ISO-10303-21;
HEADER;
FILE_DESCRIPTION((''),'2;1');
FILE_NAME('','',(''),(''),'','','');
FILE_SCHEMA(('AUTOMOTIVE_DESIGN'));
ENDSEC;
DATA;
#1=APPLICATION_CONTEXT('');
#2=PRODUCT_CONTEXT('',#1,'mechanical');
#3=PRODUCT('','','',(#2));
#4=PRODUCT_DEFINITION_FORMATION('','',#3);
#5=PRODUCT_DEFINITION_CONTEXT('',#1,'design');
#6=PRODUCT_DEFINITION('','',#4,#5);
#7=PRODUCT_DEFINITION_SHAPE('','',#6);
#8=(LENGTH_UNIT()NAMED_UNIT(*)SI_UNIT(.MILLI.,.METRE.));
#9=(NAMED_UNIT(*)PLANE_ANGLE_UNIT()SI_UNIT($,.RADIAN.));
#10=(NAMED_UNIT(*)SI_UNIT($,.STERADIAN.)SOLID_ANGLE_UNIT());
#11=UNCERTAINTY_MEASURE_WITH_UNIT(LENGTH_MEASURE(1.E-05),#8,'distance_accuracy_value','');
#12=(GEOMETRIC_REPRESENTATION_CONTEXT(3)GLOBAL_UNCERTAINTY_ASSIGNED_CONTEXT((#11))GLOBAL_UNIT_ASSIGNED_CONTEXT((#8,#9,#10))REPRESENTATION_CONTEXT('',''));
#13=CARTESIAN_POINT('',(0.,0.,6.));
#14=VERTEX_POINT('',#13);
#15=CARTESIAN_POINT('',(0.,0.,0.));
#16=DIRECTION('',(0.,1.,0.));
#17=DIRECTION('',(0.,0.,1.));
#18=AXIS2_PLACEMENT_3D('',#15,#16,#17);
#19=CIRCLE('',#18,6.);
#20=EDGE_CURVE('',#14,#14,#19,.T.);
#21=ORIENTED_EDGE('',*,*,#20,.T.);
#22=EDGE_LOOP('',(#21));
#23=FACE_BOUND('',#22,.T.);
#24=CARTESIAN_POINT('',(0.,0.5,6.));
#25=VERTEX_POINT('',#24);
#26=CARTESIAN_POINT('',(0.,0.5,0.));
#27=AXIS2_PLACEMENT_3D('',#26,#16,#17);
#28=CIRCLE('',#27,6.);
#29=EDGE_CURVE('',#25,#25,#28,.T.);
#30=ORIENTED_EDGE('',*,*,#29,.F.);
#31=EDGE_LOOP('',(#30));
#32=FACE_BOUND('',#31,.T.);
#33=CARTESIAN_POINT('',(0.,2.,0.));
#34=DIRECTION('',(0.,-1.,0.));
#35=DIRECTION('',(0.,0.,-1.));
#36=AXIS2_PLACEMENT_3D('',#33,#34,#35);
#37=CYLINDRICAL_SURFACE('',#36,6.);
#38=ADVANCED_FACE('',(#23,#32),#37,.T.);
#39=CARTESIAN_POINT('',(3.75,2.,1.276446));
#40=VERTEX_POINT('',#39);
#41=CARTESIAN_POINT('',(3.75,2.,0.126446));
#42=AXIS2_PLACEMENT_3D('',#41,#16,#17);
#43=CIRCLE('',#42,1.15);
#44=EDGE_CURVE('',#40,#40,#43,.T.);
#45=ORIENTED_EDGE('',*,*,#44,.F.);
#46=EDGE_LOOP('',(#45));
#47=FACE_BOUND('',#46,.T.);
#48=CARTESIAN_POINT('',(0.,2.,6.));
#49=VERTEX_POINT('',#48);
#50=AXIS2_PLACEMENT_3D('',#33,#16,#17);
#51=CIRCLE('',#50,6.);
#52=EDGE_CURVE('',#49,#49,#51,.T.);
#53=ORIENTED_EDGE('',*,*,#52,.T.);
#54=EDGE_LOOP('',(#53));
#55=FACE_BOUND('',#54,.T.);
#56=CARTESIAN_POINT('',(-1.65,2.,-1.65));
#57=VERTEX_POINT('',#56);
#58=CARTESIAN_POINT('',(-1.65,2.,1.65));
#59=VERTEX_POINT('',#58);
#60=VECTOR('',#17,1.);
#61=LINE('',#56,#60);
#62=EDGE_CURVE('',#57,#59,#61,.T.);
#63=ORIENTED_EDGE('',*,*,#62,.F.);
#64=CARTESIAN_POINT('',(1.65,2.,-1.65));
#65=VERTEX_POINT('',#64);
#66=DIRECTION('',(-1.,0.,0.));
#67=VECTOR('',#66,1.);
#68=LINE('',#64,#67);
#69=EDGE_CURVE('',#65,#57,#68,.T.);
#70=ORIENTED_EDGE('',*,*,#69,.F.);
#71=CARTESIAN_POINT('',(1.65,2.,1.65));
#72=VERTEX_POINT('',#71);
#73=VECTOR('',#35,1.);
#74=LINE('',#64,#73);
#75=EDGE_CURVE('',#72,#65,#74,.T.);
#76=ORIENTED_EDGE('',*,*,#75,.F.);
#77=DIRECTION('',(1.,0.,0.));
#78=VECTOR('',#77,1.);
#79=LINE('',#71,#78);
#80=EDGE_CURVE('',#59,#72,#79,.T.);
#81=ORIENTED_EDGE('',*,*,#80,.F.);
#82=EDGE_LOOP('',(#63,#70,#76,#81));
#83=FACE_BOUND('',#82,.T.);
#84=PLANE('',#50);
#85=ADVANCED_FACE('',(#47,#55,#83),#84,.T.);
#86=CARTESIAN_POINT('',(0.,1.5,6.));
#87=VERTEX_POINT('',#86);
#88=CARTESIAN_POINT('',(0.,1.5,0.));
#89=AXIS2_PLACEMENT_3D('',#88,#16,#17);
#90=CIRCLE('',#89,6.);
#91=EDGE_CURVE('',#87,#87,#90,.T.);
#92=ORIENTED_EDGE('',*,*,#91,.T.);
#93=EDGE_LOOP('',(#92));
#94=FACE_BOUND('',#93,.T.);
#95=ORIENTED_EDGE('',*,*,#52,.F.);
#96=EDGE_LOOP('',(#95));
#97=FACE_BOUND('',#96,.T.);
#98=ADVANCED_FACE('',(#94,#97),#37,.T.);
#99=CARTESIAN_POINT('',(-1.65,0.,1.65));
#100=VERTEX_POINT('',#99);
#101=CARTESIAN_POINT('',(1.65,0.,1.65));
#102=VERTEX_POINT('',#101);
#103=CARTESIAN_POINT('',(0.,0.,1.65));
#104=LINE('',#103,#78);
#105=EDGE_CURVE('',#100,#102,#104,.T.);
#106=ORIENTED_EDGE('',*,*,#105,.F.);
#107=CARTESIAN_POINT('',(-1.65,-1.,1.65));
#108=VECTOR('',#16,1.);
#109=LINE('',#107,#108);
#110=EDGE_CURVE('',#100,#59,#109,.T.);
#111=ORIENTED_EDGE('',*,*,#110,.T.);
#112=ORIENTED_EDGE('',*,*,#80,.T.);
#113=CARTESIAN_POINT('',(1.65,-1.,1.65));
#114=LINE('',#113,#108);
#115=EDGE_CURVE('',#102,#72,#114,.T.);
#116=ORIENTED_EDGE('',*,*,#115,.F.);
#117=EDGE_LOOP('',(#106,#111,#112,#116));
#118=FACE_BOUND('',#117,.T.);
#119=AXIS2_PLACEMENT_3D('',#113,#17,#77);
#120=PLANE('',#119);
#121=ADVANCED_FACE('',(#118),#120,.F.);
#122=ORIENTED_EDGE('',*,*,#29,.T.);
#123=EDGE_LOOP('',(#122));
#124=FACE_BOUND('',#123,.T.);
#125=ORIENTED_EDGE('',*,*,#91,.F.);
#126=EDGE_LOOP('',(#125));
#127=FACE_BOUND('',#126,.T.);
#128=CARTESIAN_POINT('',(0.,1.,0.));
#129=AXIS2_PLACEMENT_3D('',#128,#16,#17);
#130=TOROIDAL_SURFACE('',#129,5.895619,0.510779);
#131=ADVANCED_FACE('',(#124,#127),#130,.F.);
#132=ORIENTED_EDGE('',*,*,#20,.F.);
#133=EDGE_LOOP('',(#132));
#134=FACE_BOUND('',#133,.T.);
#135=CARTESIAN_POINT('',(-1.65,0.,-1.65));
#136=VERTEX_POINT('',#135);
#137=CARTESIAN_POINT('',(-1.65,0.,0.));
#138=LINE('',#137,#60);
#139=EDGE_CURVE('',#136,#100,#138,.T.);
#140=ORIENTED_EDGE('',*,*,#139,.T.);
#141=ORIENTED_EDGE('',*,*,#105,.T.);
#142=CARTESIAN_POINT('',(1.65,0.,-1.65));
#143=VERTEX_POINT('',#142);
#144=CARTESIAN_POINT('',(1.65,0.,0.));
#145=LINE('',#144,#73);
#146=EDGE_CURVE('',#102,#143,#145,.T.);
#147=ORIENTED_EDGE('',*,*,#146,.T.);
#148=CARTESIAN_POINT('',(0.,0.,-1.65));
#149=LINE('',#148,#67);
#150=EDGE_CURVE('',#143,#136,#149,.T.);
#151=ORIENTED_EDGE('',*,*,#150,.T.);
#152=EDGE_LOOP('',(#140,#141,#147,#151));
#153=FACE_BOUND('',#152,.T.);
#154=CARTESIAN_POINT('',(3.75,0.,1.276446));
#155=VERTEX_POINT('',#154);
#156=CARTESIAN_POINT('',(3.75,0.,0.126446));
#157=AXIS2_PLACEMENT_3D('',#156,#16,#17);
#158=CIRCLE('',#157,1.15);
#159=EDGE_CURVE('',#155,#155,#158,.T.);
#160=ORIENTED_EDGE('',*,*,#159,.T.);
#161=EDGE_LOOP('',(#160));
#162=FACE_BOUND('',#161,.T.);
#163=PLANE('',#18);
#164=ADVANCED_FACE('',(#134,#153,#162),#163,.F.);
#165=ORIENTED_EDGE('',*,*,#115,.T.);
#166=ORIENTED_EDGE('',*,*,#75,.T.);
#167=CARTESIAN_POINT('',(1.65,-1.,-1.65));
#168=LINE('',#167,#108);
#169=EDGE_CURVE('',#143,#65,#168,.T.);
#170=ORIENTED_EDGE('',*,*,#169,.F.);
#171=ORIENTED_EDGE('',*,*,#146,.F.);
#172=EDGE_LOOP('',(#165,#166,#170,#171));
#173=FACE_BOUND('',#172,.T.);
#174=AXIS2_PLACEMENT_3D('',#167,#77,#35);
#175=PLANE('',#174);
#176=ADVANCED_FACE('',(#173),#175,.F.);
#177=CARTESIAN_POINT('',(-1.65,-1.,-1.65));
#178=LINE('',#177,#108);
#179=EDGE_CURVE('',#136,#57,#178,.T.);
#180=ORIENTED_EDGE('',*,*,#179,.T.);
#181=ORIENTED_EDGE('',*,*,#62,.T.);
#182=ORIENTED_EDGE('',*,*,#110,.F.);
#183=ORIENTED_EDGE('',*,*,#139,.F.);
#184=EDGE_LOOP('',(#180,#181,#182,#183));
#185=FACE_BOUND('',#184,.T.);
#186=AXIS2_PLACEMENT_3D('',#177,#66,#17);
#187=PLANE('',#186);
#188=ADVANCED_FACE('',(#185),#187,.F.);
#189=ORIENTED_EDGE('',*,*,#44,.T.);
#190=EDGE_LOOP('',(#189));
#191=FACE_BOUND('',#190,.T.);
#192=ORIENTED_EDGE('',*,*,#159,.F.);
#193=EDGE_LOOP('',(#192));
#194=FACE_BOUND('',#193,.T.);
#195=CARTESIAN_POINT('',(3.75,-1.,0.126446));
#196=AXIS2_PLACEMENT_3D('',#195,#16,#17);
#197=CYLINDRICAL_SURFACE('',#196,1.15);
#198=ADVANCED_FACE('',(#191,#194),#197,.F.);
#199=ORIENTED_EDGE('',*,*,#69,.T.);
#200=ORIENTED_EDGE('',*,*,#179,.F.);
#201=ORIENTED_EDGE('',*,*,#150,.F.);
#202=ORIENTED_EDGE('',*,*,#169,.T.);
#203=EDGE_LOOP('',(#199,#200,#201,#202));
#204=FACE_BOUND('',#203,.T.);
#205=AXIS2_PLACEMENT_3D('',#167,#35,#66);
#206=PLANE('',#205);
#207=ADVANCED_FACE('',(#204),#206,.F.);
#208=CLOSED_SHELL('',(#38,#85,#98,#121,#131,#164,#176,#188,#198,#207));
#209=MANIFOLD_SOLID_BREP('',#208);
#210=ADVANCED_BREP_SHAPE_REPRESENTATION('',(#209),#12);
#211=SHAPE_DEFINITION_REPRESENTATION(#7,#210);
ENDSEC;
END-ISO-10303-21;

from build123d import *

# Parameters (mm, degrees)
SKIZZE1_R                       = 6
AUFSATZ_LINEAR_AUSTRAGEN1_DEPTH = 2
SKIZZE3_W                       = 3.3
SKIZZE3_H                       = 3.3
SCHNITT_LINEAR_AUSTRAGEN1_DEPTH = 3
SKIZZE4_R                       = 1.15
SCHNITT_LINEAR_AUSTRAGEN2_DEPTH = 3


with BuildPart() as part:
    # Skizze1 → Aufsatz-Linear austragen1 (new body)
    with BuildSketch(Plane(origin=(0, 0, 0), x_dir=(1, 0, 0), z_dir=(0, 1, 0))):
        with Locations(Location((0, 0, 0), (0, 0, 270))):
            Circle(SKIZZE1_R)
    extrude(amount=AUFSATZ_LINEAR_AUSTRAGEN1_DEPTH)

    # Skizze3 → Schnitt-Linear austragen1 (cut)
    with BuildSketch(Plane(origin=(0, 2, 0), x_dir=(1, 0, 0), z_dir=(0, 1, 0))):
        Rectangle(SKIZZE3_W, SKIZZE3_H)
    extrude(amount=-SCHNITT_LINEAR_AUSTRAGEN1_DEPTH, mode=Mode.SUBTRACT)

    # Skizze4 → Schnitt-Linear austragen2 (cut)
    with BuildSketch(Plane(origin=(0, 2, 0), x_dir=(1, 0, 0), z_dir=(0, 1, 0))):
        with Locations(Location((3.75, -0.126446108, 0), (0, 0, 270))):
            Circle(SKIZZE4_R)
    extrude(amount=-SCHNITT_LINEAR_AUSTRAGEN2_DEPTH, mode=Mode.SUBTRACT)

    # Skizze6 → Schnitt-Rotation2 (revolve, cut)
    with BuildSketch(Plane.XY, mode=Mode.PRIVATE) as schnitt_rotation2_sk:
        with BuildLine():
            Line((-6, 1.5), (-6, 0.5))
            ThreePointArc((-6, 0.5), (-5.384840005, 1), (-6, 1.5))
        make_face()
    revolve(schnitt_rotation2_sk.sketch.rotate(Axis((0, 2, 0), (0, -1, 0)), 270), axis=Axis((0, 2, 0), (0, -1, 0)), mode=Mode.SUBTRACT)


solid = part.part
